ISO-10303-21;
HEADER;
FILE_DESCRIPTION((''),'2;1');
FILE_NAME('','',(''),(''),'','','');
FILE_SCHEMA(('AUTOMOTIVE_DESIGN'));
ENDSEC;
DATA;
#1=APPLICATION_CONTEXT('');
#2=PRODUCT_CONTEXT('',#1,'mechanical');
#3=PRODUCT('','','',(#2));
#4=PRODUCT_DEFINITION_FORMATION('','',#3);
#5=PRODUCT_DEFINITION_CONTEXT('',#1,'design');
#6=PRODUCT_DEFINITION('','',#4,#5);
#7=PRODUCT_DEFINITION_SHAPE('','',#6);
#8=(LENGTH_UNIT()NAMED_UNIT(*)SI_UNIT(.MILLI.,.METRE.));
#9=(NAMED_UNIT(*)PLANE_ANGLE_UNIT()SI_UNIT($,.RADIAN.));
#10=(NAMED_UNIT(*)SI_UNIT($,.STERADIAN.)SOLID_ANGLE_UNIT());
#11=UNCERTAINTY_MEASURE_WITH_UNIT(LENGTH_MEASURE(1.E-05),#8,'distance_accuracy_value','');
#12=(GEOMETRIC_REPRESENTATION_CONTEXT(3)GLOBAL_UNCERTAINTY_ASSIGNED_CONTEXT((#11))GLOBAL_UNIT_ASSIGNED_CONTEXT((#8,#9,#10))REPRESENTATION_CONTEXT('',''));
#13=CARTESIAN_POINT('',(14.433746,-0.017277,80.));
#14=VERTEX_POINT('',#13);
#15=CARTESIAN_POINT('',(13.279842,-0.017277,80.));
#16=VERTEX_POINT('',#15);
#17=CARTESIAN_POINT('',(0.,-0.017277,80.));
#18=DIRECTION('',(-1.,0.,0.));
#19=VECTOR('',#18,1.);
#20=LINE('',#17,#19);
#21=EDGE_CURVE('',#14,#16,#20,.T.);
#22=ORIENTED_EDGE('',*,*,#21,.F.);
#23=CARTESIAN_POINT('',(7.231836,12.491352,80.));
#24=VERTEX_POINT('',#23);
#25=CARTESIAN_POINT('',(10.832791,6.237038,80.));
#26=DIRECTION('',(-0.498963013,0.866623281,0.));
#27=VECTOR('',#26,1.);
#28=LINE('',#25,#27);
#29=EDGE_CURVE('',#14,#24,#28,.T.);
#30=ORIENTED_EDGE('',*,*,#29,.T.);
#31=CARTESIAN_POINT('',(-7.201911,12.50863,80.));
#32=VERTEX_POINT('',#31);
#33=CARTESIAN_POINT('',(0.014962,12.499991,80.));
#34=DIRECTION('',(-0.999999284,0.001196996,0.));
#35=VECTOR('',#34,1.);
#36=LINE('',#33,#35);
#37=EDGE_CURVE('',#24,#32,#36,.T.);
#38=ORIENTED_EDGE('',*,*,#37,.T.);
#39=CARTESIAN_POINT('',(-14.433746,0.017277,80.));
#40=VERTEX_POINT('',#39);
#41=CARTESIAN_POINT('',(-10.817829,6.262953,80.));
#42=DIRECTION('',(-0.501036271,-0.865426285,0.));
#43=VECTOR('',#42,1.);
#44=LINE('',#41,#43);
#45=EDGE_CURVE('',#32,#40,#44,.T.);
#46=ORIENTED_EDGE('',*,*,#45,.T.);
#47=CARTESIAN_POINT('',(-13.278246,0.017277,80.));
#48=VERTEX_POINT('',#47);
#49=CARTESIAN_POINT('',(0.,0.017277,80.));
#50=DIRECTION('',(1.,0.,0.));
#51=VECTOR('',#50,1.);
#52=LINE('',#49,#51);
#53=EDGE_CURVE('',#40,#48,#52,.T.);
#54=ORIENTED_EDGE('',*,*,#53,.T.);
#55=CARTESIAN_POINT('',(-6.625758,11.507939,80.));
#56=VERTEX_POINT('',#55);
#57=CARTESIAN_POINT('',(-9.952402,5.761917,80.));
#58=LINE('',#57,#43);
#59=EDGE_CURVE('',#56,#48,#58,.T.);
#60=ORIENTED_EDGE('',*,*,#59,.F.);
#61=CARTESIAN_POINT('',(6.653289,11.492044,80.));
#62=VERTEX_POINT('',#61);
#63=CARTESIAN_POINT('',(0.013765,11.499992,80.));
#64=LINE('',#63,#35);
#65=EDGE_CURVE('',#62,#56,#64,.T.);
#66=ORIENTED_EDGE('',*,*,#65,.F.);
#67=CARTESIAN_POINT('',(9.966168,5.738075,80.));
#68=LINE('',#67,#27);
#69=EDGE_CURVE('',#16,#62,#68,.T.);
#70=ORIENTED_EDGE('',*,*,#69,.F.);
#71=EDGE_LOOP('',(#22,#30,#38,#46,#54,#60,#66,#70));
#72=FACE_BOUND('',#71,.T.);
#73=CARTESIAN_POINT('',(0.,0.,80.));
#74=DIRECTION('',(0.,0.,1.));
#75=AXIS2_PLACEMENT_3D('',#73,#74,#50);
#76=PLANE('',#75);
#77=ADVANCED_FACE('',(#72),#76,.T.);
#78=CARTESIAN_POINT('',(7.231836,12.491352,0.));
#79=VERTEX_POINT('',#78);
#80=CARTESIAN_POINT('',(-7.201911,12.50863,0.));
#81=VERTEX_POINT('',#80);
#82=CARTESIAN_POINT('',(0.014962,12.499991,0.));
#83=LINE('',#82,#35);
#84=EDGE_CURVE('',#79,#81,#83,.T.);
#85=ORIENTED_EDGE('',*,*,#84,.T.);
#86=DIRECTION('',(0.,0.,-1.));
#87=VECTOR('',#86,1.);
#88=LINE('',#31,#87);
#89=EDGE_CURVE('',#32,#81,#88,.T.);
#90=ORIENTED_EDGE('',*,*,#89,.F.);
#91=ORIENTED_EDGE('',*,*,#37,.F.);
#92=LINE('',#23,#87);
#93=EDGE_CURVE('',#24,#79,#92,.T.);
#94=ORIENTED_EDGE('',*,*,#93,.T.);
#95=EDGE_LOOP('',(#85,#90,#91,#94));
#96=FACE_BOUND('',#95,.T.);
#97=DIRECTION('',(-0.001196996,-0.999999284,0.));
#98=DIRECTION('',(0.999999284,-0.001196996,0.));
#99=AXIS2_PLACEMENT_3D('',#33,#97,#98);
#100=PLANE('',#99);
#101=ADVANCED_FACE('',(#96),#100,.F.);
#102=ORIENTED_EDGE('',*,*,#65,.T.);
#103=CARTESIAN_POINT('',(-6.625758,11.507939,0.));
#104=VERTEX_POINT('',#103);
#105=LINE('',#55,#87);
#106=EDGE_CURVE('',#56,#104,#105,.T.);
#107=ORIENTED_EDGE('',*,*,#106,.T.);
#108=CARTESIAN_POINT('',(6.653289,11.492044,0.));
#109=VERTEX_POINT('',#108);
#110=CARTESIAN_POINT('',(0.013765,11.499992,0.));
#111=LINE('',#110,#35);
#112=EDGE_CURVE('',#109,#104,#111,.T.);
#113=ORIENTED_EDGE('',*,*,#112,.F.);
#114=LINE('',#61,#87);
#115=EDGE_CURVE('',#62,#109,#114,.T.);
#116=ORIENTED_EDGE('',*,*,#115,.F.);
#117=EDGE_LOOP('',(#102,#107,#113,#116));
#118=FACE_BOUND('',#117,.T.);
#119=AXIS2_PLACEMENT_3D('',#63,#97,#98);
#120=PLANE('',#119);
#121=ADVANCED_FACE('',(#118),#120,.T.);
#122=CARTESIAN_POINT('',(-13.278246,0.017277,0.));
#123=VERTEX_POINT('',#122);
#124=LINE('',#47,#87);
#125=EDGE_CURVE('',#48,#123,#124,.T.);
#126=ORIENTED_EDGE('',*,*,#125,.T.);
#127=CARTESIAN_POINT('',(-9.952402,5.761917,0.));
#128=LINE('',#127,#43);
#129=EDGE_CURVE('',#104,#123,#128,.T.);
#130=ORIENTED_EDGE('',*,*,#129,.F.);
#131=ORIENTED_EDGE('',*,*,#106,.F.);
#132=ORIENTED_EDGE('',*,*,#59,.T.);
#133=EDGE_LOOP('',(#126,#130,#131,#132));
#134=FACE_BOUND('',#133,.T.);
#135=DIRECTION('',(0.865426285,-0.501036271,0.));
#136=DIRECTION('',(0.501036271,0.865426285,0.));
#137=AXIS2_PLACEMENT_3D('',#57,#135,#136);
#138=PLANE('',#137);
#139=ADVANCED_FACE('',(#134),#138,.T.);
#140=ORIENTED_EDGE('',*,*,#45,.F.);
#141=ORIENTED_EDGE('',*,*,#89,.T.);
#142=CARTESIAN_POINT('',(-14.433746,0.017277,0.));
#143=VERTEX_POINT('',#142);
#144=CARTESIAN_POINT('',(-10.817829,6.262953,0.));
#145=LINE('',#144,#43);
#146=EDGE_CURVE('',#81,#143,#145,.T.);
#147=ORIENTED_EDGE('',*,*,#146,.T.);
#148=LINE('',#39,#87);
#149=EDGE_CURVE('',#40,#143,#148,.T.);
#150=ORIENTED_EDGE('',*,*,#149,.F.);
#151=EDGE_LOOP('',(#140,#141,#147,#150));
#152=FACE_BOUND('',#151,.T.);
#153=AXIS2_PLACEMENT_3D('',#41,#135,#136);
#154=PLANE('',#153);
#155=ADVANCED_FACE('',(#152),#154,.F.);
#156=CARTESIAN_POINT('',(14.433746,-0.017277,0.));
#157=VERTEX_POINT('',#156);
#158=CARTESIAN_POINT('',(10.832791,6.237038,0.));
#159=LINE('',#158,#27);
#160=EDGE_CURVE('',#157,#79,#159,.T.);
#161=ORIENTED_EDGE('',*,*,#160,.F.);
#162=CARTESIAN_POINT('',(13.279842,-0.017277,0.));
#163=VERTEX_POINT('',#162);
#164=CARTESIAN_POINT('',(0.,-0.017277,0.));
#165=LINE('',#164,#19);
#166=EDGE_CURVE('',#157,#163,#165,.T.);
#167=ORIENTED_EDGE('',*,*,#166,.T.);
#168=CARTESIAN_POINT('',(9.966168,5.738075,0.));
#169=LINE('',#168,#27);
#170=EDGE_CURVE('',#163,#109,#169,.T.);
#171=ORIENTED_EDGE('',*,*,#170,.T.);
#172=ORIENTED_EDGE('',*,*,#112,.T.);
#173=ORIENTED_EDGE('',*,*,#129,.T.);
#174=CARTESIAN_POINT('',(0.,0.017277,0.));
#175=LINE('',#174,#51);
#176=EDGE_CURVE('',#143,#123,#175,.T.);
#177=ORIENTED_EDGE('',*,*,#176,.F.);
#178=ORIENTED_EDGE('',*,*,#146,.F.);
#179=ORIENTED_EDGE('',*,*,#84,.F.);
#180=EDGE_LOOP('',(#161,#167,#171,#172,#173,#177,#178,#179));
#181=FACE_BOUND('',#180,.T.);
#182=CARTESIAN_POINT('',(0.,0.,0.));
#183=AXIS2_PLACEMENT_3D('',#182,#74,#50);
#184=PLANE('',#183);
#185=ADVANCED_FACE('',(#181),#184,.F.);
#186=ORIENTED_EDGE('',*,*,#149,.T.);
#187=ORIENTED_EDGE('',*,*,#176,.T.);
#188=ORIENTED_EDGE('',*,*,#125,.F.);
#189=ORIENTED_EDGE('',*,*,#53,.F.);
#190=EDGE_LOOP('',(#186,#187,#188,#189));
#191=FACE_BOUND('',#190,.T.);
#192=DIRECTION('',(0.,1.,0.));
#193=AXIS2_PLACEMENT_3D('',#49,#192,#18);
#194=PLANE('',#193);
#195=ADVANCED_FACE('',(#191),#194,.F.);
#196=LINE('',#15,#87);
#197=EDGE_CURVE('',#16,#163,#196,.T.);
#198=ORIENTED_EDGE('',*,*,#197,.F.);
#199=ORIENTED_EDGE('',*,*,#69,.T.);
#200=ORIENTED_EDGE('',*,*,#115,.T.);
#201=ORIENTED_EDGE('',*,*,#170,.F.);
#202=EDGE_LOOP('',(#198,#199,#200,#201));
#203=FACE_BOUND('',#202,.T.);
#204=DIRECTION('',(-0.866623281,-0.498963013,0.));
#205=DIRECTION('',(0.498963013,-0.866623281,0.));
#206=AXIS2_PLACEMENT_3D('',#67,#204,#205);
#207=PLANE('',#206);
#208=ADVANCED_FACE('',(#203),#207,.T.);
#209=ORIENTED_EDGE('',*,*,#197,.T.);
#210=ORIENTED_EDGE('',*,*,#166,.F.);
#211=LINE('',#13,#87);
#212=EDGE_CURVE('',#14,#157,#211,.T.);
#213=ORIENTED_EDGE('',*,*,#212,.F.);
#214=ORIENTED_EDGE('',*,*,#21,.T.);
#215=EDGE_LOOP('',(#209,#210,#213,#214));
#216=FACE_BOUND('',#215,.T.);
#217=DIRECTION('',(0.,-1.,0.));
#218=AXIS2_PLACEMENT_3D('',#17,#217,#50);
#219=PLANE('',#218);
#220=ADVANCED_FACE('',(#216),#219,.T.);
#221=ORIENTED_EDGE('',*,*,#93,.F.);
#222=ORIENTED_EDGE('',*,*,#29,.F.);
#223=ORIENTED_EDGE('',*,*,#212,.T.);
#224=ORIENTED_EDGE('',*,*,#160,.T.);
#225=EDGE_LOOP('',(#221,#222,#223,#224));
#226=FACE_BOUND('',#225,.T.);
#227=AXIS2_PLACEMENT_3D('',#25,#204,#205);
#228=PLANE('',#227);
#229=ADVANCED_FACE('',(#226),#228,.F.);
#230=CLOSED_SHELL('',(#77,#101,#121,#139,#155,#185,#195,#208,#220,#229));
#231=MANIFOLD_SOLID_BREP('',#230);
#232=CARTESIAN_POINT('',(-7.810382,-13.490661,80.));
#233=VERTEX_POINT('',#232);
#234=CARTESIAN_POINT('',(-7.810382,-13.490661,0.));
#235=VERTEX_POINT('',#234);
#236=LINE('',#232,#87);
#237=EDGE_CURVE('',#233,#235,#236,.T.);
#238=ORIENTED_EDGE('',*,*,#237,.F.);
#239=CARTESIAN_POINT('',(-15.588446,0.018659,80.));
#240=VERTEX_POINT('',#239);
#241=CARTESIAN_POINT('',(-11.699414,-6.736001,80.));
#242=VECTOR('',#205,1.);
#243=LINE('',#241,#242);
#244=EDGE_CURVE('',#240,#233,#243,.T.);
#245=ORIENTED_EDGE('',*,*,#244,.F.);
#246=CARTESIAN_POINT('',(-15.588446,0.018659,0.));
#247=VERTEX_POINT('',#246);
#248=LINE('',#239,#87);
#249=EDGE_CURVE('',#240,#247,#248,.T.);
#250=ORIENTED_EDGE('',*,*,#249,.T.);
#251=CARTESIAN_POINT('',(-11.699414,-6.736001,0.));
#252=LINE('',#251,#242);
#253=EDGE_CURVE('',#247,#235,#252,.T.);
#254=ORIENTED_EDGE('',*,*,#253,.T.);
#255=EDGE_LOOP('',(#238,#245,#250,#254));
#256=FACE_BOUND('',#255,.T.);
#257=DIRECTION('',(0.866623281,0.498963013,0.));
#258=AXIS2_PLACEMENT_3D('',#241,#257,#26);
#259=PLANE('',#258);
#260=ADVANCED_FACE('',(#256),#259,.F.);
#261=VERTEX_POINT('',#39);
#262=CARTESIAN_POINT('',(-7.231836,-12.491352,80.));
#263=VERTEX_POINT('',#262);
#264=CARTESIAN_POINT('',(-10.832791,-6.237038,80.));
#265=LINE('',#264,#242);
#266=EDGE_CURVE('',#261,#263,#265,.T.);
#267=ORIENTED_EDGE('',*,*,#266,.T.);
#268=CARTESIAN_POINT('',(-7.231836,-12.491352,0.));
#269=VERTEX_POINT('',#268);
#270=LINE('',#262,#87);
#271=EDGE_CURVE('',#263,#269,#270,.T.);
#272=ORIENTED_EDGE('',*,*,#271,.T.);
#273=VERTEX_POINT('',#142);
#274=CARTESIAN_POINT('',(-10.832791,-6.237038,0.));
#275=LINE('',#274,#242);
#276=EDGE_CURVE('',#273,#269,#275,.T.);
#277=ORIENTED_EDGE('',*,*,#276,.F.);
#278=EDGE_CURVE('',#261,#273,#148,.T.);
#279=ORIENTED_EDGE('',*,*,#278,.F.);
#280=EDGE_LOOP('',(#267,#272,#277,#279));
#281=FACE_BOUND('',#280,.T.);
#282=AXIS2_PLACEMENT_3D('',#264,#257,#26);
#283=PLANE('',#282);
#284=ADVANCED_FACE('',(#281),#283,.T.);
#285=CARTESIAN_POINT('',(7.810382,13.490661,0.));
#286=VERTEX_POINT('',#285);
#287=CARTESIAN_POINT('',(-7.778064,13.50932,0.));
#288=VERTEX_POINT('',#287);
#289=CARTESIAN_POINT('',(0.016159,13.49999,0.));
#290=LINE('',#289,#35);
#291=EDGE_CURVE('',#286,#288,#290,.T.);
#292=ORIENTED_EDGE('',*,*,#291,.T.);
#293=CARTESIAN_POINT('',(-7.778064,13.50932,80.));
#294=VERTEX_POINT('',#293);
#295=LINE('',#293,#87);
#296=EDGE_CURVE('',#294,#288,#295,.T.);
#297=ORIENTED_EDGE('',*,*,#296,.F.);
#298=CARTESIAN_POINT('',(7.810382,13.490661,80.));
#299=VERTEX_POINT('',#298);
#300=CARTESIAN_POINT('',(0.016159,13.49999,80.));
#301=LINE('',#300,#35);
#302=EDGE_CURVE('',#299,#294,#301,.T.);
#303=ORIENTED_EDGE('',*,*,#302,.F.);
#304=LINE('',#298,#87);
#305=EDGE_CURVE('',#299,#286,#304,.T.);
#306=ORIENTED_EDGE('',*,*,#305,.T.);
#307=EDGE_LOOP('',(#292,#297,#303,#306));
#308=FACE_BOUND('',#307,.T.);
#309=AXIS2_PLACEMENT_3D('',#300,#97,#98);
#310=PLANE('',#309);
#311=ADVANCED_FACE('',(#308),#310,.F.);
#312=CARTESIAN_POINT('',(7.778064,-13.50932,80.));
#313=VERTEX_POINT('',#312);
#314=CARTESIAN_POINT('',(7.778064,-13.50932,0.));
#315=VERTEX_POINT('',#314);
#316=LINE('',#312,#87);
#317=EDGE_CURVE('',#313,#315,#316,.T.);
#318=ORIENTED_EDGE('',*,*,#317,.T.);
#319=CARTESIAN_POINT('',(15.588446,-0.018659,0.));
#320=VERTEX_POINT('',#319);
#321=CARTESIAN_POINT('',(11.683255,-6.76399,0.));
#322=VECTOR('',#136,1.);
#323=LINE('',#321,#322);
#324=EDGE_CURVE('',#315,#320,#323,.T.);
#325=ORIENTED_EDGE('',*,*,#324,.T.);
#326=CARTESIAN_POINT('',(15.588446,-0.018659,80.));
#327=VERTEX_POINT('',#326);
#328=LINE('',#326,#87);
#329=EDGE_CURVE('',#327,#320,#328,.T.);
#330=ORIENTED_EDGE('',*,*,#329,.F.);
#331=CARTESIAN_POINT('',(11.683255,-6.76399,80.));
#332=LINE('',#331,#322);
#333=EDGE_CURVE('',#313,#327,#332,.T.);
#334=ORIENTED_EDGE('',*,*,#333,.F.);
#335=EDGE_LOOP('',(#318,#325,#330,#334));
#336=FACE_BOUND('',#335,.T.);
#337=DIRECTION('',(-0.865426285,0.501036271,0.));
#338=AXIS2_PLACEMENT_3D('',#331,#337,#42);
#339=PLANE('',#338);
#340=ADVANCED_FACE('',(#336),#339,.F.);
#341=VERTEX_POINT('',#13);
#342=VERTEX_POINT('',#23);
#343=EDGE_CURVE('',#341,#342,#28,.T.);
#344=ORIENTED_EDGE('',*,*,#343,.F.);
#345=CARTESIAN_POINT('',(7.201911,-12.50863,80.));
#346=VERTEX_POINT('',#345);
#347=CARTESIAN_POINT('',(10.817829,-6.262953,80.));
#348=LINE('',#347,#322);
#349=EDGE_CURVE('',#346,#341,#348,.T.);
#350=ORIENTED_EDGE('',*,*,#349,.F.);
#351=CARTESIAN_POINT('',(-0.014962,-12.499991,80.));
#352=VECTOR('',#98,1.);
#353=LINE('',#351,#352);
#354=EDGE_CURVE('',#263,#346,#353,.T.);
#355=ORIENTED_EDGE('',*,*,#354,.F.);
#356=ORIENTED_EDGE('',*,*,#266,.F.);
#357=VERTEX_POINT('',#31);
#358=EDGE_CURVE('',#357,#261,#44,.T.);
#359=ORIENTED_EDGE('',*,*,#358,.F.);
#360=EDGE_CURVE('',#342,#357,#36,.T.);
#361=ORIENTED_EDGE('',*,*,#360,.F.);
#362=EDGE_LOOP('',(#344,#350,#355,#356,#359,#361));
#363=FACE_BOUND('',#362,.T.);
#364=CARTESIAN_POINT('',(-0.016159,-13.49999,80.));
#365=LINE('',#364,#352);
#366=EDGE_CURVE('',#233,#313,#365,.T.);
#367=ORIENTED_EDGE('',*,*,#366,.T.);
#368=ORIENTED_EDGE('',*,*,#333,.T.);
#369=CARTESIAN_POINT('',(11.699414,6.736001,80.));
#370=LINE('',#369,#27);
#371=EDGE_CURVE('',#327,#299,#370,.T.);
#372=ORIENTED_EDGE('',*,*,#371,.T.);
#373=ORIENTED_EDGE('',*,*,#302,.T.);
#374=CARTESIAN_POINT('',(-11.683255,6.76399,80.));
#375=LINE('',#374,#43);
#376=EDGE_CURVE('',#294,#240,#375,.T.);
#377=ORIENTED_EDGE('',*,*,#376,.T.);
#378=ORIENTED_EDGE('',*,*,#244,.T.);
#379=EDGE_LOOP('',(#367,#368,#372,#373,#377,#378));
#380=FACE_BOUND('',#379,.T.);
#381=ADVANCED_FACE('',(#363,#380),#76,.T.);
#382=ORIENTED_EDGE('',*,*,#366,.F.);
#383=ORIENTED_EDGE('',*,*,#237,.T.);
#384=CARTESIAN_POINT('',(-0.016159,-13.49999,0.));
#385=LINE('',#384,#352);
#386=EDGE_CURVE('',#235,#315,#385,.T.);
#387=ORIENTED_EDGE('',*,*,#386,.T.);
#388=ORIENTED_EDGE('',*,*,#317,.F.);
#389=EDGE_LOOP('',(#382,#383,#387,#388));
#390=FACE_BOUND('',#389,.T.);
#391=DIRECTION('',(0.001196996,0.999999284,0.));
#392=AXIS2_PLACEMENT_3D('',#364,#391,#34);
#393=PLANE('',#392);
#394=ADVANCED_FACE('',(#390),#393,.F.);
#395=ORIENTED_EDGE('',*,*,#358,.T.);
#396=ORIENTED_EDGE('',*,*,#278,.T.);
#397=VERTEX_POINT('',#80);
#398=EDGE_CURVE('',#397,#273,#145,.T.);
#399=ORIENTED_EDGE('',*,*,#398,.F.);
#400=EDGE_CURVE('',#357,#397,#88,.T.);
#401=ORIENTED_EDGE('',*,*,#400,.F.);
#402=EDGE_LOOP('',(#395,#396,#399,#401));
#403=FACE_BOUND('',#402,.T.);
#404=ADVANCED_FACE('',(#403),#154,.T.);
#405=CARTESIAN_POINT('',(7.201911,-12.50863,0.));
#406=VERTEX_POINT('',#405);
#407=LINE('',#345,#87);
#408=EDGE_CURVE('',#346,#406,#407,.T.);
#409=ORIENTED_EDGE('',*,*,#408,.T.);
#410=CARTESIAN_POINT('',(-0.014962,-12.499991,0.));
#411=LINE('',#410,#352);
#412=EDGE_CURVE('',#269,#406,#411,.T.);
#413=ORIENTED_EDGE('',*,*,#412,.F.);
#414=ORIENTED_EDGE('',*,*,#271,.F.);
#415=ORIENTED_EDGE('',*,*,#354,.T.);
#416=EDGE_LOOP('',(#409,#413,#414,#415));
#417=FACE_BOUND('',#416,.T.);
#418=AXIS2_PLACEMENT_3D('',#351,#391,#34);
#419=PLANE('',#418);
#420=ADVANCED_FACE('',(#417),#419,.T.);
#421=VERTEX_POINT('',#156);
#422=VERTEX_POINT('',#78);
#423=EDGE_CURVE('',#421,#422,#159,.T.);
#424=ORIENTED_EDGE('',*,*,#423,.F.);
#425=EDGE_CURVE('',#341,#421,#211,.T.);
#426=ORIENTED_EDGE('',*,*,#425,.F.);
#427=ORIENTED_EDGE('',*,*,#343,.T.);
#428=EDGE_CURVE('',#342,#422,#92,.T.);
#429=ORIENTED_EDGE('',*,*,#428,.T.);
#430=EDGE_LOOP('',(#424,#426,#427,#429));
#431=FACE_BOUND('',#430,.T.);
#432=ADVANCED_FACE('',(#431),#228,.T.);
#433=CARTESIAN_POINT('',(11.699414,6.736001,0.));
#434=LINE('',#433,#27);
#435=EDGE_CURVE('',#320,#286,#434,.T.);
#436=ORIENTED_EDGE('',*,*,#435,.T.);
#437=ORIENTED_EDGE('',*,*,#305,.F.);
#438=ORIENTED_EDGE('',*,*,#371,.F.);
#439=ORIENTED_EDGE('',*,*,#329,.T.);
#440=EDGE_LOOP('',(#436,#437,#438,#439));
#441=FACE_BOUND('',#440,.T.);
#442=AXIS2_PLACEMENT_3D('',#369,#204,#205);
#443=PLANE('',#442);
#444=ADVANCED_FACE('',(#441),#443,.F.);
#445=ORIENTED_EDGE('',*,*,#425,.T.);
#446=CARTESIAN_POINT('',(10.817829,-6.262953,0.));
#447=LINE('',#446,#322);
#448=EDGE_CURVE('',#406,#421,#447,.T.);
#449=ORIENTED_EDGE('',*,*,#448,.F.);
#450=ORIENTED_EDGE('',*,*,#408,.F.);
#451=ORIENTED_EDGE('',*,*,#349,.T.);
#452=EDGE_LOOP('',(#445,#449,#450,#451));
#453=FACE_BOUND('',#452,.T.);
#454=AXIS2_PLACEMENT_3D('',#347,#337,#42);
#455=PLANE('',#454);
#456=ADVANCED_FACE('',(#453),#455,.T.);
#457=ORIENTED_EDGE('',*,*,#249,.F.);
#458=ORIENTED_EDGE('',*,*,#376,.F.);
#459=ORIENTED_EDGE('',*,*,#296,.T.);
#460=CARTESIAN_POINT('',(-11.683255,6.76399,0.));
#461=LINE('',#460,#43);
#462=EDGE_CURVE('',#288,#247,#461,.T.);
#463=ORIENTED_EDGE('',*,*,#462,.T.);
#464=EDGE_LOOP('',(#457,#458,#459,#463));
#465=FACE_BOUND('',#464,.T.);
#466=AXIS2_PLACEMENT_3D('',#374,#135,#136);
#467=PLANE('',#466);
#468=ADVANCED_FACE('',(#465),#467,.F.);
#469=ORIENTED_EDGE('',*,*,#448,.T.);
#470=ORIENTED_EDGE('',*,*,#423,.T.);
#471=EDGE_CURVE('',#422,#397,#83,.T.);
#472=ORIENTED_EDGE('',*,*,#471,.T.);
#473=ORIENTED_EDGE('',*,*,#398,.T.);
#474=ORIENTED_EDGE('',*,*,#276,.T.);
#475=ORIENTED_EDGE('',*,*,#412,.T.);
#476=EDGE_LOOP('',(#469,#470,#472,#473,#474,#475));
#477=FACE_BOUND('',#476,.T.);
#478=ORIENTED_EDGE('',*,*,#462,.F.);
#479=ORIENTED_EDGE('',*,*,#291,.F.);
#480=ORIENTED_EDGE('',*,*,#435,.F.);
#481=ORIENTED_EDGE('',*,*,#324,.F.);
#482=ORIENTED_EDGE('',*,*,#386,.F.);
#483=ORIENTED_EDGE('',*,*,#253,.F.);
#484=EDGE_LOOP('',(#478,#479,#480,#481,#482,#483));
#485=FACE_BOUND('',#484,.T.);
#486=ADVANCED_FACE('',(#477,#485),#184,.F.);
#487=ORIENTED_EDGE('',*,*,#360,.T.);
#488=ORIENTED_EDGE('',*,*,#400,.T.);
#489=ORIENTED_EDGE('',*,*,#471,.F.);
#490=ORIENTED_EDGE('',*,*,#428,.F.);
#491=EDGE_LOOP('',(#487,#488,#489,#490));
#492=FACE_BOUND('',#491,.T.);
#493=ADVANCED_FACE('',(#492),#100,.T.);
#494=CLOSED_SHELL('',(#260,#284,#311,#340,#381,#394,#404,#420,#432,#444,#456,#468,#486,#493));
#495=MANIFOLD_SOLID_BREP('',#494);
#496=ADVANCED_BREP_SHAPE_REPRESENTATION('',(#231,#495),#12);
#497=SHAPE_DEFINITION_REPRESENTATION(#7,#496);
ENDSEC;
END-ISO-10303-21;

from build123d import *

# Parameters (mm, degrees)
BOSS_EXTRUDE1_DEPTH = 80
BOSS_EXTRUDE2_DEPTH = 80


with BuildPart() as part:
    # Sketch1 → Boss-Extrude1 (new body)
    with BuildSketch(Plane.XY):
        Polygon((8.098458923, 12.990315485), (7.810382493, 13.49066067), (-7.778063607, 13.509319987), (-8.067337033, 13.009665888), (-15.299172675, 0.518313416), (-15.588446101, 0.018659317), (-7.810382493, -13.49066067), (7.778063607, -13.509319987), (15.588446101, -0.018659317), (15.300369671, 0.481685867), align=None)
        Polygon((-7.201910748, 12.508629618), (7.231835642, 12.491352472), (14.433746389, -0.017277146), (7.201910748, -12.508629618), (-7.231835642, -12.491352472), (-14.433746389, 0.017277146), align=None, mode=Mode.SUBTRACT)
    extrude(amount=BOSS_EXTRUDE1_DEPTH)


with BuildPart() as body_2:
    # Sketch1<3> → Boss-Extrude2 (new body)
    with BuildSketch(Plane.XY):
        Polygon((14.433746389, -0.017277146), (7.231835642, 12.491352472), (-7.201910748, 12.508629618), (-14.433746389, 0.017277146), (-13.278246474, 0.017277146), (-6.625757888, 11.507939248), (6.65328879, 11.492044274), (13.279842471, -0.017277146), align=None)
    extrude(amount=BOSS_EXTRUDE2_DEPTH)


solid = Compound([part.part, body_2.part])
